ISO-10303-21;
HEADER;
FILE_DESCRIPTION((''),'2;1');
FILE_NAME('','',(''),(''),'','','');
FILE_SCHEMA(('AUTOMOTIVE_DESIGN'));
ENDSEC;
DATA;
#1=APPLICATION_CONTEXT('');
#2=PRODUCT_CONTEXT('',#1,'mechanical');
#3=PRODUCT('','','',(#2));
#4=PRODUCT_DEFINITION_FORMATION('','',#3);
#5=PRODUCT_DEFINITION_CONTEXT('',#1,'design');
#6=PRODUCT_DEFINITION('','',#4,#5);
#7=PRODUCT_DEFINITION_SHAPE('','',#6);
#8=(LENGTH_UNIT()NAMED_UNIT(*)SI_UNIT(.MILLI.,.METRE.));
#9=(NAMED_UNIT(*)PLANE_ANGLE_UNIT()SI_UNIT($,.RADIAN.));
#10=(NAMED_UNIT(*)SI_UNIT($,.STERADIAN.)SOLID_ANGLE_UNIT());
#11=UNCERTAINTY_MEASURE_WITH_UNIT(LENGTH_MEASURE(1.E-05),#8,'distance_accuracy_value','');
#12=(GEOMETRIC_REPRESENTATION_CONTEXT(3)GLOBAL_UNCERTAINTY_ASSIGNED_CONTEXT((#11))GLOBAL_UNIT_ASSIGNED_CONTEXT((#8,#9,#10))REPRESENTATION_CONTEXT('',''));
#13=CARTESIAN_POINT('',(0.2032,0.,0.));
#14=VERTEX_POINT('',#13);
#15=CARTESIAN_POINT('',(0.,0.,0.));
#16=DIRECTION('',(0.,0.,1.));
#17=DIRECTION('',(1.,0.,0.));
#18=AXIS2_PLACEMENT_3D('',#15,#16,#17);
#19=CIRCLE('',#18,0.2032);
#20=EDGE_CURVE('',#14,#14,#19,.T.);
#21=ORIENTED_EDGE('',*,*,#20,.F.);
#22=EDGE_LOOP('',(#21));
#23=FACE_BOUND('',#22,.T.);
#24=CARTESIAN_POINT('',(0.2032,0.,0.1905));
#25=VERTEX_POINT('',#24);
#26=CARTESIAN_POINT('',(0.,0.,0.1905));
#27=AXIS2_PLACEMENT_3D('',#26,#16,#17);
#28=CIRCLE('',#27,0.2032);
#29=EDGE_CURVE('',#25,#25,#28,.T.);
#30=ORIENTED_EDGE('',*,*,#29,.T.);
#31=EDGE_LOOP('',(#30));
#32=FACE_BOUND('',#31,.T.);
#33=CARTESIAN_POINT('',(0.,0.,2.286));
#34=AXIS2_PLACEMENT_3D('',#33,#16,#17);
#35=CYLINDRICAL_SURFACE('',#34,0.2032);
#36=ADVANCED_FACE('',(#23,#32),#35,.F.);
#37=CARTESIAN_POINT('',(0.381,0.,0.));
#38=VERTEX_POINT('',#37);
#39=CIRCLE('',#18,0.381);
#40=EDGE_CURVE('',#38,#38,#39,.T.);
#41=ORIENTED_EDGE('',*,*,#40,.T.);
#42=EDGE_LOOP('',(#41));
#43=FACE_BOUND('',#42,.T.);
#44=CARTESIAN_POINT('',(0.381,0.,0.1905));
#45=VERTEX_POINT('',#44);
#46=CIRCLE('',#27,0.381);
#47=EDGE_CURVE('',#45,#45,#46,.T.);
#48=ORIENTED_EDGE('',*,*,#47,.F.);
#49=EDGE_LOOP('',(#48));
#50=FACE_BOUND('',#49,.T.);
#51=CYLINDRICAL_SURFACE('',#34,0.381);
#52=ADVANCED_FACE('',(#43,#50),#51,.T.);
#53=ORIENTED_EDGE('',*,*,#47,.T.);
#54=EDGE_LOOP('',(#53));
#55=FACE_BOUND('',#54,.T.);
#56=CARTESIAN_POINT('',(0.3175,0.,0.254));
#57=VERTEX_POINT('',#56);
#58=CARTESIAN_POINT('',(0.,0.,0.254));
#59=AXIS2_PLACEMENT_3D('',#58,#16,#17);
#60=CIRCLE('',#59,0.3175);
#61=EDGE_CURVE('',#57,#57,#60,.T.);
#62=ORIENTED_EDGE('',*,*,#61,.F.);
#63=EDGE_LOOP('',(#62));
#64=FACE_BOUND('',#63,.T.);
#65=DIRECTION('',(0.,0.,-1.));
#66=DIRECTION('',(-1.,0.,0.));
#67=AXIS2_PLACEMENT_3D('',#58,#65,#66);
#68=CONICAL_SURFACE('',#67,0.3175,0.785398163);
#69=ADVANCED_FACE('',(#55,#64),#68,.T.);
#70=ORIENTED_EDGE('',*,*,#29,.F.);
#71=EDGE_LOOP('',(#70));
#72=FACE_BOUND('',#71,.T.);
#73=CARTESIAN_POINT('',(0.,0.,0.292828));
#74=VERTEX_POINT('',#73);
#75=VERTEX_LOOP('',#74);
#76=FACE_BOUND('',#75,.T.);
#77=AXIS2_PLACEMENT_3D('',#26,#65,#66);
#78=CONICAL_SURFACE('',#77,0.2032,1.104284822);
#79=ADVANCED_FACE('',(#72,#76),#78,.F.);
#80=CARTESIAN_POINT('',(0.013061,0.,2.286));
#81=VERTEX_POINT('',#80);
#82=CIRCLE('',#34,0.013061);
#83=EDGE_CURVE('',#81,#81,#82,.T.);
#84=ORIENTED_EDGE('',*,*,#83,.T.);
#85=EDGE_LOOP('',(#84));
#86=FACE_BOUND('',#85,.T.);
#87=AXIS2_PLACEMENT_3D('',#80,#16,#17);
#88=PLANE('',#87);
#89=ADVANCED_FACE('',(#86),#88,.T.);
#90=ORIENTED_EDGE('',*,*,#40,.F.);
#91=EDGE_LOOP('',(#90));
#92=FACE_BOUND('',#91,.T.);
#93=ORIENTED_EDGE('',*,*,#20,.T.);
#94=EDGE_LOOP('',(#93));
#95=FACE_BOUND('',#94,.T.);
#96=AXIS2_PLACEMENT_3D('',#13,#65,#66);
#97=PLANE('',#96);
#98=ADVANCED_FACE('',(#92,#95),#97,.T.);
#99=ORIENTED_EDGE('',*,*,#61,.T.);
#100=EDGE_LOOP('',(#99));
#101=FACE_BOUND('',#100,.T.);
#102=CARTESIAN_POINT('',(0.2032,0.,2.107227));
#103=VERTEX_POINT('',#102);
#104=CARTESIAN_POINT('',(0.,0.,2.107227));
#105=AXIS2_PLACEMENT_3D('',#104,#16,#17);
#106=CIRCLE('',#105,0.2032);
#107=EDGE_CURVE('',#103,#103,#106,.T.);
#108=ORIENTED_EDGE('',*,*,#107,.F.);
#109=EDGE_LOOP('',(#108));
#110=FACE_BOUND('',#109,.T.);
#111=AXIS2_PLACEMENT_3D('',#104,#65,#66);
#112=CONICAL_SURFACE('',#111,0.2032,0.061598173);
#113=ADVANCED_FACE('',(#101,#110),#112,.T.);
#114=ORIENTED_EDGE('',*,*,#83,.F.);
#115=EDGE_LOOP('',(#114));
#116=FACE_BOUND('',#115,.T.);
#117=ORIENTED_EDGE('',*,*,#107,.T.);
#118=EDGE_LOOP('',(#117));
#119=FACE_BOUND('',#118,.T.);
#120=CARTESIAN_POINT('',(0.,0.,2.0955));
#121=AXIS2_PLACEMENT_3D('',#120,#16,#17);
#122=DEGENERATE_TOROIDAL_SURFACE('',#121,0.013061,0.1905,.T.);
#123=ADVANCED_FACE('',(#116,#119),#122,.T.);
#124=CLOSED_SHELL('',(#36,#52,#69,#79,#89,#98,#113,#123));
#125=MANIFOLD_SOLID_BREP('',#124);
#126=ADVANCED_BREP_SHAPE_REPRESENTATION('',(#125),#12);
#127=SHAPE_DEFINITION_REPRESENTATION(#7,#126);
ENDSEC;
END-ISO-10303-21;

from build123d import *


with BuildPart() as part:
    # Sketch1 → Revolve1 (revolve)
    with BuildSketch(Plane(origin=(0, 0, 0), x_dir=(1, 0, 0), z_dir=(0, 1, 0))):
        with BuildLine():
            Line((0.2032, 0), (0.381, 0))
            Line((0.381, 0), (0.381, -0.1905))
            Line((0.381, -0.1905), (0.3175, -0.254))
            Line((0.3175, -0.254), (0.2032, -2.107227033))
            ThreePointArc((0.2032, -2.107227033), (0.143553155, -2.234288057), (0.013061296, -2.286))
            Line((0.013061296, -2.286), (0, -2.286))
            Line((0, -2.286), (0, -0.292828475))
            Line((0, -0.292828475), (0.2032, -0.1905))
            Line((0.2032, -0.1905), (0.2032, 0))
        make_face()
    revolve(axis=Axis((0, 0, 2.286), (0, 0, -1)))


solid = part.part
